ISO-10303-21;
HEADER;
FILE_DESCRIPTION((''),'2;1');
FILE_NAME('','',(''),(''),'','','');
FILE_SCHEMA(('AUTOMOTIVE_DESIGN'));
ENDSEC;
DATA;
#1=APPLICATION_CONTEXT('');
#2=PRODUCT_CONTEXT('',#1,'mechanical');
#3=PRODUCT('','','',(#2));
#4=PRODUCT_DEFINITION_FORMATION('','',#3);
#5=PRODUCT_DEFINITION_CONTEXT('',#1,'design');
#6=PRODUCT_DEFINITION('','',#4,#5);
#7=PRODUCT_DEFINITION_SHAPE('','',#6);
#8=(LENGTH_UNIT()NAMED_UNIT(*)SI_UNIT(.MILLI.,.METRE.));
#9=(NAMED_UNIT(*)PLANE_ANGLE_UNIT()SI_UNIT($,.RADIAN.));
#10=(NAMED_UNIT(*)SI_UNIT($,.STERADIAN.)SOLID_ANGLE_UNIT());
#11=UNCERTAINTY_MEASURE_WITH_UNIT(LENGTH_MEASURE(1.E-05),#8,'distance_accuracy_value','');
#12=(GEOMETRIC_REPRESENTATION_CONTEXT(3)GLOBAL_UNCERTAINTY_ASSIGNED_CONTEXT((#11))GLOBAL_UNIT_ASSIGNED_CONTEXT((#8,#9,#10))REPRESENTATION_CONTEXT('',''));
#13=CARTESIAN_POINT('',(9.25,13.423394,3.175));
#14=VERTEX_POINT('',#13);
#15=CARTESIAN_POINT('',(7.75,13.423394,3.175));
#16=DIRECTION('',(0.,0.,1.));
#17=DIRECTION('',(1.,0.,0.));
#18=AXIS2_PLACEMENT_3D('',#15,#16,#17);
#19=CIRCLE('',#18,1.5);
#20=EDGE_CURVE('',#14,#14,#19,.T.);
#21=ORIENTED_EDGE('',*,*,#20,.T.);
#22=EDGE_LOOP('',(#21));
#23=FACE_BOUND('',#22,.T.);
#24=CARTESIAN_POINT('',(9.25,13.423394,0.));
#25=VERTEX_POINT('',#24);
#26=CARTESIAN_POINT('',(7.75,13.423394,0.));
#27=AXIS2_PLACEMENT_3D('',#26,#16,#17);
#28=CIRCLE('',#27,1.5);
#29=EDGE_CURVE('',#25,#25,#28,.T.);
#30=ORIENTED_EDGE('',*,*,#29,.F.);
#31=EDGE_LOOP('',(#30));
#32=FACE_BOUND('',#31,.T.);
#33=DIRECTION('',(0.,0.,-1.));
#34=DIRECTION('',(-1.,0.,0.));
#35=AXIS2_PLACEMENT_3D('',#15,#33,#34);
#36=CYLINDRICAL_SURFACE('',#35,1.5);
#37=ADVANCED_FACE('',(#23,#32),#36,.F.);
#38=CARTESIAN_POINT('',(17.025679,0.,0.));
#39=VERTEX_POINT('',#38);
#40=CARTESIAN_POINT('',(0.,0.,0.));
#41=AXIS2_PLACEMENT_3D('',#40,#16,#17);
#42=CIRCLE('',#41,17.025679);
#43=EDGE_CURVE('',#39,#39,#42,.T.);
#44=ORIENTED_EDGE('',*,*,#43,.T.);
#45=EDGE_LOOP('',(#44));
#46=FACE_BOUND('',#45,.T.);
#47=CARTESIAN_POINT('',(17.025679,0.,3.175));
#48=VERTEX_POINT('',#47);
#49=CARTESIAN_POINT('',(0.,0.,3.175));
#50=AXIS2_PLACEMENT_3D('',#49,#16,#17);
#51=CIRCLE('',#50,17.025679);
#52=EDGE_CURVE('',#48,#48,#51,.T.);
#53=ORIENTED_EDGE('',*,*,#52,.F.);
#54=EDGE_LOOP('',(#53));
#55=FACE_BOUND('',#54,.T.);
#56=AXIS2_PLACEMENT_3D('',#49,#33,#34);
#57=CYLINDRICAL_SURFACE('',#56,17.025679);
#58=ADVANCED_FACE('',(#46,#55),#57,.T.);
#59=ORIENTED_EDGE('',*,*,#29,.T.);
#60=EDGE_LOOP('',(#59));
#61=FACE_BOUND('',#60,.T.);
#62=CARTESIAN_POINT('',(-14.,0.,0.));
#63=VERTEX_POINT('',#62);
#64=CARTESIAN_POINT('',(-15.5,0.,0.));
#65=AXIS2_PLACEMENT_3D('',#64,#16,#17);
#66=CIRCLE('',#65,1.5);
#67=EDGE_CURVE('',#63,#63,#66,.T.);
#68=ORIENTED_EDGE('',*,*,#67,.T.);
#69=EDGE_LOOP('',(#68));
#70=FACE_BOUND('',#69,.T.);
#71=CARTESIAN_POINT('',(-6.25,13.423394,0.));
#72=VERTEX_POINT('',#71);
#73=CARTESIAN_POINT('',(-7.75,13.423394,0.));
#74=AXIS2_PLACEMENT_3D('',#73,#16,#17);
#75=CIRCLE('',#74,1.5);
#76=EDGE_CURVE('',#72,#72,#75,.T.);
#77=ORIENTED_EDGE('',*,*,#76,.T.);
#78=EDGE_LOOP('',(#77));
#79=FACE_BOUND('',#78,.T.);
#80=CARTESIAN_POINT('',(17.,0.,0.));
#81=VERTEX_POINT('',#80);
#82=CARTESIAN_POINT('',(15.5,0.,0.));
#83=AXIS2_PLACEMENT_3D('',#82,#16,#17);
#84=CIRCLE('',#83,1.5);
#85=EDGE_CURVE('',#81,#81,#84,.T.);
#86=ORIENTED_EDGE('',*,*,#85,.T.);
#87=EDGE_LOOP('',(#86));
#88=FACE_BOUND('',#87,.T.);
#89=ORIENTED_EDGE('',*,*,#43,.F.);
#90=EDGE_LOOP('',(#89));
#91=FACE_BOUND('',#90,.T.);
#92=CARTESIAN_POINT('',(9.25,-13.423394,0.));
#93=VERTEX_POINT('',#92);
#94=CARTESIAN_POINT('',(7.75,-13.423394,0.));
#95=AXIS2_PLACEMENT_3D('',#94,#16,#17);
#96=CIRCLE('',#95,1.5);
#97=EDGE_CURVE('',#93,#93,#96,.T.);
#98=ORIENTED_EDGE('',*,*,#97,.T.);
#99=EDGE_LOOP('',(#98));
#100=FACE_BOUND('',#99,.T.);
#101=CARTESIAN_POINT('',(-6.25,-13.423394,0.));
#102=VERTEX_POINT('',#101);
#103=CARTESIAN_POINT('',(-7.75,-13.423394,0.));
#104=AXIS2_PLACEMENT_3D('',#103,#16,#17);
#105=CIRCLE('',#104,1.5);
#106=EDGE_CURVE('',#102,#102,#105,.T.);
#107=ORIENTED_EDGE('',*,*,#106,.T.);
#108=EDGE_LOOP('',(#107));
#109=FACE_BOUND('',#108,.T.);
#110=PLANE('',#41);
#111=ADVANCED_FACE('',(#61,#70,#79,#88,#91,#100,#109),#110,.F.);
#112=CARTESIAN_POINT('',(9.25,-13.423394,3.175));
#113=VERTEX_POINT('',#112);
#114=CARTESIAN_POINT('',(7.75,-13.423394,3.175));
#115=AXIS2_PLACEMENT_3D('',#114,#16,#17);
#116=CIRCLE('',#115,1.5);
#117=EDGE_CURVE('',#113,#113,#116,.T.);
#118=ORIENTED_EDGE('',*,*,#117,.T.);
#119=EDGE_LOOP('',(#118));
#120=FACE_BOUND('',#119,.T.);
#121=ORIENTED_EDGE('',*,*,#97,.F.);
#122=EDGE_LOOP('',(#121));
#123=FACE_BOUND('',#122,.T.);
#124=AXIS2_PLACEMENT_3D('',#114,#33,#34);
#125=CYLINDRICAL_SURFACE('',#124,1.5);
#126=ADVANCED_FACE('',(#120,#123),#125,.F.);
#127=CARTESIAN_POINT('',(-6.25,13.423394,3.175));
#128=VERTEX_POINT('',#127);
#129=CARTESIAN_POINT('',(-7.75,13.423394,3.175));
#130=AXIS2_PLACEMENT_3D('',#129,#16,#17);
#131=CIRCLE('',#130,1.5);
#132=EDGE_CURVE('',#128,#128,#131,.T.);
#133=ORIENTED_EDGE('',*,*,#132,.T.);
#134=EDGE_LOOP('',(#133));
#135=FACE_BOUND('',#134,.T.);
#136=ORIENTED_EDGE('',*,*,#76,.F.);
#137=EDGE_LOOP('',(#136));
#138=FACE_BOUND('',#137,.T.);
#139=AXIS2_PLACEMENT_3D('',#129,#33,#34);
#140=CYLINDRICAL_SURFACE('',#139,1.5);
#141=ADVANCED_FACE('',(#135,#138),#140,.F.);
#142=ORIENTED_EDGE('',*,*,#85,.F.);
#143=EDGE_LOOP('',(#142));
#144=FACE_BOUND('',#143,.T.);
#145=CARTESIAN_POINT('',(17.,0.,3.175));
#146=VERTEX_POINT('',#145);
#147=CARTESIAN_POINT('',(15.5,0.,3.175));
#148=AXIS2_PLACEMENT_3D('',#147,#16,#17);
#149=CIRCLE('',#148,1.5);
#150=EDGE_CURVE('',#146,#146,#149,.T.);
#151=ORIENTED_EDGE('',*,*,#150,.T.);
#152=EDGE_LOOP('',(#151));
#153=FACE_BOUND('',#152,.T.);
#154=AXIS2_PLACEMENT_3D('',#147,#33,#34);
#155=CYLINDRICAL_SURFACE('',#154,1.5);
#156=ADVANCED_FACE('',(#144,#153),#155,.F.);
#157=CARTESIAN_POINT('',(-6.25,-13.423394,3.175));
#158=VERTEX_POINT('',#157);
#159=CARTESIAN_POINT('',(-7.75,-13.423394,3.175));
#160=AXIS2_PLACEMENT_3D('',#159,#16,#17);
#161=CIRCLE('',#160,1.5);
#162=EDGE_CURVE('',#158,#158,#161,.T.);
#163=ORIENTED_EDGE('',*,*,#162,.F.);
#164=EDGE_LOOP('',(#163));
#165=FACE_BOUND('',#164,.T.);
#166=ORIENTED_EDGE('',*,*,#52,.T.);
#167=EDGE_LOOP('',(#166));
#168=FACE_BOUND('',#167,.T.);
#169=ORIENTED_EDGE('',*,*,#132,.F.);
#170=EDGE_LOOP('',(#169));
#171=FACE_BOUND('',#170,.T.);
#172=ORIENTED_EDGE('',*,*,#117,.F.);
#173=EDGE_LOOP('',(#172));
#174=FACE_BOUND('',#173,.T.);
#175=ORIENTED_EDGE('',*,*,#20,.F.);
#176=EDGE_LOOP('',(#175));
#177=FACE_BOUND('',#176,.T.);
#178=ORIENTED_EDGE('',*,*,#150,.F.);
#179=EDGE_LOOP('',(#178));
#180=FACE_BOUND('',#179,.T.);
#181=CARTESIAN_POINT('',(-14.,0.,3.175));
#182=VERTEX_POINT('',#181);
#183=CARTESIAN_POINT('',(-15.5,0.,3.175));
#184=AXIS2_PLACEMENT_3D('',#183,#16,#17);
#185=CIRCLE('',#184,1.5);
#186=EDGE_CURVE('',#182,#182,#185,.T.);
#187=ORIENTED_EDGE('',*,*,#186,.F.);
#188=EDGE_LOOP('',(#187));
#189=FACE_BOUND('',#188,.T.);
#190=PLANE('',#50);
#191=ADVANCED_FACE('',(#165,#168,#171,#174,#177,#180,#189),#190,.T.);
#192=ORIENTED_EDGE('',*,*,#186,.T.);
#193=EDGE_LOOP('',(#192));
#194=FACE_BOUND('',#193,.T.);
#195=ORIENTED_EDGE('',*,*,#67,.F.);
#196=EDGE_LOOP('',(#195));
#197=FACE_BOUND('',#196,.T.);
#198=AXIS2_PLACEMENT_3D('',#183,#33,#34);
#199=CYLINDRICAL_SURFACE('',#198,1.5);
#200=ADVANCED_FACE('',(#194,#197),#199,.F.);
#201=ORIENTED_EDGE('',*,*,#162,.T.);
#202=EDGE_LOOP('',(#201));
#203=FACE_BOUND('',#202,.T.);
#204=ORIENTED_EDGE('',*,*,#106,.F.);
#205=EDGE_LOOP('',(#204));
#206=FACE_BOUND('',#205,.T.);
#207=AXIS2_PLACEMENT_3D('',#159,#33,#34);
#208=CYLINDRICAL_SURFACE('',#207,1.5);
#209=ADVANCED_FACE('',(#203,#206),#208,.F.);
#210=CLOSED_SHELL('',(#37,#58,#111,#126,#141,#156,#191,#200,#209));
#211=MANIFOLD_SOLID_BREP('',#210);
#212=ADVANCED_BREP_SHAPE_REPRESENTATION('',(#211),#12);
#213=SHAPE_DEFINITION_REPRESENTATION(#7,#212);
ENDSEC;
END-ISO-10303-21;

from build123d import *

# Parameters (mm, degrees)
SKETCH1_R           = 17.025679244
SKETCH1_R_2         = 1.5
BOSS_EXTRUDE1_DEPTH = 3.175


with BuildPart() as part:
    # Sketch1 → Boss-Extrude1 (new body)
    with BuildSketch(Plane.XY):
        Circle(SKETCH1_R)
        with Locations((-15.5, 0)):
            Circle(SKETCH1_R_2, mode=Mode.SUBTRACT)
        with Locations((-7.75, 13.423393759)):
            Circle(SKETCH1_R_2, mode=Mode.SUBTRACT)
        with Locations((7.75, 13.423393759)):
            Circle(SKETCH1_R_2, mode=Mode.SUBTRACT)
        with Locations((15.5, 0)):
            Circle(SKETCH1_R_2, mode=Mode.SUBTRACT)
        with Locations((7.75, -13.423393759)):
            Circle(SKETCH1_R_2, mode=Mode.SUBTRACT)
        with Locations((-7.75, -13.423393759)):
            Circle(SKETCH1_R_2, mode=Mode.SUBTRACT)
    extrude(amount=BOSS_EXTRUDE1_DEPTH)


solid = part.part
